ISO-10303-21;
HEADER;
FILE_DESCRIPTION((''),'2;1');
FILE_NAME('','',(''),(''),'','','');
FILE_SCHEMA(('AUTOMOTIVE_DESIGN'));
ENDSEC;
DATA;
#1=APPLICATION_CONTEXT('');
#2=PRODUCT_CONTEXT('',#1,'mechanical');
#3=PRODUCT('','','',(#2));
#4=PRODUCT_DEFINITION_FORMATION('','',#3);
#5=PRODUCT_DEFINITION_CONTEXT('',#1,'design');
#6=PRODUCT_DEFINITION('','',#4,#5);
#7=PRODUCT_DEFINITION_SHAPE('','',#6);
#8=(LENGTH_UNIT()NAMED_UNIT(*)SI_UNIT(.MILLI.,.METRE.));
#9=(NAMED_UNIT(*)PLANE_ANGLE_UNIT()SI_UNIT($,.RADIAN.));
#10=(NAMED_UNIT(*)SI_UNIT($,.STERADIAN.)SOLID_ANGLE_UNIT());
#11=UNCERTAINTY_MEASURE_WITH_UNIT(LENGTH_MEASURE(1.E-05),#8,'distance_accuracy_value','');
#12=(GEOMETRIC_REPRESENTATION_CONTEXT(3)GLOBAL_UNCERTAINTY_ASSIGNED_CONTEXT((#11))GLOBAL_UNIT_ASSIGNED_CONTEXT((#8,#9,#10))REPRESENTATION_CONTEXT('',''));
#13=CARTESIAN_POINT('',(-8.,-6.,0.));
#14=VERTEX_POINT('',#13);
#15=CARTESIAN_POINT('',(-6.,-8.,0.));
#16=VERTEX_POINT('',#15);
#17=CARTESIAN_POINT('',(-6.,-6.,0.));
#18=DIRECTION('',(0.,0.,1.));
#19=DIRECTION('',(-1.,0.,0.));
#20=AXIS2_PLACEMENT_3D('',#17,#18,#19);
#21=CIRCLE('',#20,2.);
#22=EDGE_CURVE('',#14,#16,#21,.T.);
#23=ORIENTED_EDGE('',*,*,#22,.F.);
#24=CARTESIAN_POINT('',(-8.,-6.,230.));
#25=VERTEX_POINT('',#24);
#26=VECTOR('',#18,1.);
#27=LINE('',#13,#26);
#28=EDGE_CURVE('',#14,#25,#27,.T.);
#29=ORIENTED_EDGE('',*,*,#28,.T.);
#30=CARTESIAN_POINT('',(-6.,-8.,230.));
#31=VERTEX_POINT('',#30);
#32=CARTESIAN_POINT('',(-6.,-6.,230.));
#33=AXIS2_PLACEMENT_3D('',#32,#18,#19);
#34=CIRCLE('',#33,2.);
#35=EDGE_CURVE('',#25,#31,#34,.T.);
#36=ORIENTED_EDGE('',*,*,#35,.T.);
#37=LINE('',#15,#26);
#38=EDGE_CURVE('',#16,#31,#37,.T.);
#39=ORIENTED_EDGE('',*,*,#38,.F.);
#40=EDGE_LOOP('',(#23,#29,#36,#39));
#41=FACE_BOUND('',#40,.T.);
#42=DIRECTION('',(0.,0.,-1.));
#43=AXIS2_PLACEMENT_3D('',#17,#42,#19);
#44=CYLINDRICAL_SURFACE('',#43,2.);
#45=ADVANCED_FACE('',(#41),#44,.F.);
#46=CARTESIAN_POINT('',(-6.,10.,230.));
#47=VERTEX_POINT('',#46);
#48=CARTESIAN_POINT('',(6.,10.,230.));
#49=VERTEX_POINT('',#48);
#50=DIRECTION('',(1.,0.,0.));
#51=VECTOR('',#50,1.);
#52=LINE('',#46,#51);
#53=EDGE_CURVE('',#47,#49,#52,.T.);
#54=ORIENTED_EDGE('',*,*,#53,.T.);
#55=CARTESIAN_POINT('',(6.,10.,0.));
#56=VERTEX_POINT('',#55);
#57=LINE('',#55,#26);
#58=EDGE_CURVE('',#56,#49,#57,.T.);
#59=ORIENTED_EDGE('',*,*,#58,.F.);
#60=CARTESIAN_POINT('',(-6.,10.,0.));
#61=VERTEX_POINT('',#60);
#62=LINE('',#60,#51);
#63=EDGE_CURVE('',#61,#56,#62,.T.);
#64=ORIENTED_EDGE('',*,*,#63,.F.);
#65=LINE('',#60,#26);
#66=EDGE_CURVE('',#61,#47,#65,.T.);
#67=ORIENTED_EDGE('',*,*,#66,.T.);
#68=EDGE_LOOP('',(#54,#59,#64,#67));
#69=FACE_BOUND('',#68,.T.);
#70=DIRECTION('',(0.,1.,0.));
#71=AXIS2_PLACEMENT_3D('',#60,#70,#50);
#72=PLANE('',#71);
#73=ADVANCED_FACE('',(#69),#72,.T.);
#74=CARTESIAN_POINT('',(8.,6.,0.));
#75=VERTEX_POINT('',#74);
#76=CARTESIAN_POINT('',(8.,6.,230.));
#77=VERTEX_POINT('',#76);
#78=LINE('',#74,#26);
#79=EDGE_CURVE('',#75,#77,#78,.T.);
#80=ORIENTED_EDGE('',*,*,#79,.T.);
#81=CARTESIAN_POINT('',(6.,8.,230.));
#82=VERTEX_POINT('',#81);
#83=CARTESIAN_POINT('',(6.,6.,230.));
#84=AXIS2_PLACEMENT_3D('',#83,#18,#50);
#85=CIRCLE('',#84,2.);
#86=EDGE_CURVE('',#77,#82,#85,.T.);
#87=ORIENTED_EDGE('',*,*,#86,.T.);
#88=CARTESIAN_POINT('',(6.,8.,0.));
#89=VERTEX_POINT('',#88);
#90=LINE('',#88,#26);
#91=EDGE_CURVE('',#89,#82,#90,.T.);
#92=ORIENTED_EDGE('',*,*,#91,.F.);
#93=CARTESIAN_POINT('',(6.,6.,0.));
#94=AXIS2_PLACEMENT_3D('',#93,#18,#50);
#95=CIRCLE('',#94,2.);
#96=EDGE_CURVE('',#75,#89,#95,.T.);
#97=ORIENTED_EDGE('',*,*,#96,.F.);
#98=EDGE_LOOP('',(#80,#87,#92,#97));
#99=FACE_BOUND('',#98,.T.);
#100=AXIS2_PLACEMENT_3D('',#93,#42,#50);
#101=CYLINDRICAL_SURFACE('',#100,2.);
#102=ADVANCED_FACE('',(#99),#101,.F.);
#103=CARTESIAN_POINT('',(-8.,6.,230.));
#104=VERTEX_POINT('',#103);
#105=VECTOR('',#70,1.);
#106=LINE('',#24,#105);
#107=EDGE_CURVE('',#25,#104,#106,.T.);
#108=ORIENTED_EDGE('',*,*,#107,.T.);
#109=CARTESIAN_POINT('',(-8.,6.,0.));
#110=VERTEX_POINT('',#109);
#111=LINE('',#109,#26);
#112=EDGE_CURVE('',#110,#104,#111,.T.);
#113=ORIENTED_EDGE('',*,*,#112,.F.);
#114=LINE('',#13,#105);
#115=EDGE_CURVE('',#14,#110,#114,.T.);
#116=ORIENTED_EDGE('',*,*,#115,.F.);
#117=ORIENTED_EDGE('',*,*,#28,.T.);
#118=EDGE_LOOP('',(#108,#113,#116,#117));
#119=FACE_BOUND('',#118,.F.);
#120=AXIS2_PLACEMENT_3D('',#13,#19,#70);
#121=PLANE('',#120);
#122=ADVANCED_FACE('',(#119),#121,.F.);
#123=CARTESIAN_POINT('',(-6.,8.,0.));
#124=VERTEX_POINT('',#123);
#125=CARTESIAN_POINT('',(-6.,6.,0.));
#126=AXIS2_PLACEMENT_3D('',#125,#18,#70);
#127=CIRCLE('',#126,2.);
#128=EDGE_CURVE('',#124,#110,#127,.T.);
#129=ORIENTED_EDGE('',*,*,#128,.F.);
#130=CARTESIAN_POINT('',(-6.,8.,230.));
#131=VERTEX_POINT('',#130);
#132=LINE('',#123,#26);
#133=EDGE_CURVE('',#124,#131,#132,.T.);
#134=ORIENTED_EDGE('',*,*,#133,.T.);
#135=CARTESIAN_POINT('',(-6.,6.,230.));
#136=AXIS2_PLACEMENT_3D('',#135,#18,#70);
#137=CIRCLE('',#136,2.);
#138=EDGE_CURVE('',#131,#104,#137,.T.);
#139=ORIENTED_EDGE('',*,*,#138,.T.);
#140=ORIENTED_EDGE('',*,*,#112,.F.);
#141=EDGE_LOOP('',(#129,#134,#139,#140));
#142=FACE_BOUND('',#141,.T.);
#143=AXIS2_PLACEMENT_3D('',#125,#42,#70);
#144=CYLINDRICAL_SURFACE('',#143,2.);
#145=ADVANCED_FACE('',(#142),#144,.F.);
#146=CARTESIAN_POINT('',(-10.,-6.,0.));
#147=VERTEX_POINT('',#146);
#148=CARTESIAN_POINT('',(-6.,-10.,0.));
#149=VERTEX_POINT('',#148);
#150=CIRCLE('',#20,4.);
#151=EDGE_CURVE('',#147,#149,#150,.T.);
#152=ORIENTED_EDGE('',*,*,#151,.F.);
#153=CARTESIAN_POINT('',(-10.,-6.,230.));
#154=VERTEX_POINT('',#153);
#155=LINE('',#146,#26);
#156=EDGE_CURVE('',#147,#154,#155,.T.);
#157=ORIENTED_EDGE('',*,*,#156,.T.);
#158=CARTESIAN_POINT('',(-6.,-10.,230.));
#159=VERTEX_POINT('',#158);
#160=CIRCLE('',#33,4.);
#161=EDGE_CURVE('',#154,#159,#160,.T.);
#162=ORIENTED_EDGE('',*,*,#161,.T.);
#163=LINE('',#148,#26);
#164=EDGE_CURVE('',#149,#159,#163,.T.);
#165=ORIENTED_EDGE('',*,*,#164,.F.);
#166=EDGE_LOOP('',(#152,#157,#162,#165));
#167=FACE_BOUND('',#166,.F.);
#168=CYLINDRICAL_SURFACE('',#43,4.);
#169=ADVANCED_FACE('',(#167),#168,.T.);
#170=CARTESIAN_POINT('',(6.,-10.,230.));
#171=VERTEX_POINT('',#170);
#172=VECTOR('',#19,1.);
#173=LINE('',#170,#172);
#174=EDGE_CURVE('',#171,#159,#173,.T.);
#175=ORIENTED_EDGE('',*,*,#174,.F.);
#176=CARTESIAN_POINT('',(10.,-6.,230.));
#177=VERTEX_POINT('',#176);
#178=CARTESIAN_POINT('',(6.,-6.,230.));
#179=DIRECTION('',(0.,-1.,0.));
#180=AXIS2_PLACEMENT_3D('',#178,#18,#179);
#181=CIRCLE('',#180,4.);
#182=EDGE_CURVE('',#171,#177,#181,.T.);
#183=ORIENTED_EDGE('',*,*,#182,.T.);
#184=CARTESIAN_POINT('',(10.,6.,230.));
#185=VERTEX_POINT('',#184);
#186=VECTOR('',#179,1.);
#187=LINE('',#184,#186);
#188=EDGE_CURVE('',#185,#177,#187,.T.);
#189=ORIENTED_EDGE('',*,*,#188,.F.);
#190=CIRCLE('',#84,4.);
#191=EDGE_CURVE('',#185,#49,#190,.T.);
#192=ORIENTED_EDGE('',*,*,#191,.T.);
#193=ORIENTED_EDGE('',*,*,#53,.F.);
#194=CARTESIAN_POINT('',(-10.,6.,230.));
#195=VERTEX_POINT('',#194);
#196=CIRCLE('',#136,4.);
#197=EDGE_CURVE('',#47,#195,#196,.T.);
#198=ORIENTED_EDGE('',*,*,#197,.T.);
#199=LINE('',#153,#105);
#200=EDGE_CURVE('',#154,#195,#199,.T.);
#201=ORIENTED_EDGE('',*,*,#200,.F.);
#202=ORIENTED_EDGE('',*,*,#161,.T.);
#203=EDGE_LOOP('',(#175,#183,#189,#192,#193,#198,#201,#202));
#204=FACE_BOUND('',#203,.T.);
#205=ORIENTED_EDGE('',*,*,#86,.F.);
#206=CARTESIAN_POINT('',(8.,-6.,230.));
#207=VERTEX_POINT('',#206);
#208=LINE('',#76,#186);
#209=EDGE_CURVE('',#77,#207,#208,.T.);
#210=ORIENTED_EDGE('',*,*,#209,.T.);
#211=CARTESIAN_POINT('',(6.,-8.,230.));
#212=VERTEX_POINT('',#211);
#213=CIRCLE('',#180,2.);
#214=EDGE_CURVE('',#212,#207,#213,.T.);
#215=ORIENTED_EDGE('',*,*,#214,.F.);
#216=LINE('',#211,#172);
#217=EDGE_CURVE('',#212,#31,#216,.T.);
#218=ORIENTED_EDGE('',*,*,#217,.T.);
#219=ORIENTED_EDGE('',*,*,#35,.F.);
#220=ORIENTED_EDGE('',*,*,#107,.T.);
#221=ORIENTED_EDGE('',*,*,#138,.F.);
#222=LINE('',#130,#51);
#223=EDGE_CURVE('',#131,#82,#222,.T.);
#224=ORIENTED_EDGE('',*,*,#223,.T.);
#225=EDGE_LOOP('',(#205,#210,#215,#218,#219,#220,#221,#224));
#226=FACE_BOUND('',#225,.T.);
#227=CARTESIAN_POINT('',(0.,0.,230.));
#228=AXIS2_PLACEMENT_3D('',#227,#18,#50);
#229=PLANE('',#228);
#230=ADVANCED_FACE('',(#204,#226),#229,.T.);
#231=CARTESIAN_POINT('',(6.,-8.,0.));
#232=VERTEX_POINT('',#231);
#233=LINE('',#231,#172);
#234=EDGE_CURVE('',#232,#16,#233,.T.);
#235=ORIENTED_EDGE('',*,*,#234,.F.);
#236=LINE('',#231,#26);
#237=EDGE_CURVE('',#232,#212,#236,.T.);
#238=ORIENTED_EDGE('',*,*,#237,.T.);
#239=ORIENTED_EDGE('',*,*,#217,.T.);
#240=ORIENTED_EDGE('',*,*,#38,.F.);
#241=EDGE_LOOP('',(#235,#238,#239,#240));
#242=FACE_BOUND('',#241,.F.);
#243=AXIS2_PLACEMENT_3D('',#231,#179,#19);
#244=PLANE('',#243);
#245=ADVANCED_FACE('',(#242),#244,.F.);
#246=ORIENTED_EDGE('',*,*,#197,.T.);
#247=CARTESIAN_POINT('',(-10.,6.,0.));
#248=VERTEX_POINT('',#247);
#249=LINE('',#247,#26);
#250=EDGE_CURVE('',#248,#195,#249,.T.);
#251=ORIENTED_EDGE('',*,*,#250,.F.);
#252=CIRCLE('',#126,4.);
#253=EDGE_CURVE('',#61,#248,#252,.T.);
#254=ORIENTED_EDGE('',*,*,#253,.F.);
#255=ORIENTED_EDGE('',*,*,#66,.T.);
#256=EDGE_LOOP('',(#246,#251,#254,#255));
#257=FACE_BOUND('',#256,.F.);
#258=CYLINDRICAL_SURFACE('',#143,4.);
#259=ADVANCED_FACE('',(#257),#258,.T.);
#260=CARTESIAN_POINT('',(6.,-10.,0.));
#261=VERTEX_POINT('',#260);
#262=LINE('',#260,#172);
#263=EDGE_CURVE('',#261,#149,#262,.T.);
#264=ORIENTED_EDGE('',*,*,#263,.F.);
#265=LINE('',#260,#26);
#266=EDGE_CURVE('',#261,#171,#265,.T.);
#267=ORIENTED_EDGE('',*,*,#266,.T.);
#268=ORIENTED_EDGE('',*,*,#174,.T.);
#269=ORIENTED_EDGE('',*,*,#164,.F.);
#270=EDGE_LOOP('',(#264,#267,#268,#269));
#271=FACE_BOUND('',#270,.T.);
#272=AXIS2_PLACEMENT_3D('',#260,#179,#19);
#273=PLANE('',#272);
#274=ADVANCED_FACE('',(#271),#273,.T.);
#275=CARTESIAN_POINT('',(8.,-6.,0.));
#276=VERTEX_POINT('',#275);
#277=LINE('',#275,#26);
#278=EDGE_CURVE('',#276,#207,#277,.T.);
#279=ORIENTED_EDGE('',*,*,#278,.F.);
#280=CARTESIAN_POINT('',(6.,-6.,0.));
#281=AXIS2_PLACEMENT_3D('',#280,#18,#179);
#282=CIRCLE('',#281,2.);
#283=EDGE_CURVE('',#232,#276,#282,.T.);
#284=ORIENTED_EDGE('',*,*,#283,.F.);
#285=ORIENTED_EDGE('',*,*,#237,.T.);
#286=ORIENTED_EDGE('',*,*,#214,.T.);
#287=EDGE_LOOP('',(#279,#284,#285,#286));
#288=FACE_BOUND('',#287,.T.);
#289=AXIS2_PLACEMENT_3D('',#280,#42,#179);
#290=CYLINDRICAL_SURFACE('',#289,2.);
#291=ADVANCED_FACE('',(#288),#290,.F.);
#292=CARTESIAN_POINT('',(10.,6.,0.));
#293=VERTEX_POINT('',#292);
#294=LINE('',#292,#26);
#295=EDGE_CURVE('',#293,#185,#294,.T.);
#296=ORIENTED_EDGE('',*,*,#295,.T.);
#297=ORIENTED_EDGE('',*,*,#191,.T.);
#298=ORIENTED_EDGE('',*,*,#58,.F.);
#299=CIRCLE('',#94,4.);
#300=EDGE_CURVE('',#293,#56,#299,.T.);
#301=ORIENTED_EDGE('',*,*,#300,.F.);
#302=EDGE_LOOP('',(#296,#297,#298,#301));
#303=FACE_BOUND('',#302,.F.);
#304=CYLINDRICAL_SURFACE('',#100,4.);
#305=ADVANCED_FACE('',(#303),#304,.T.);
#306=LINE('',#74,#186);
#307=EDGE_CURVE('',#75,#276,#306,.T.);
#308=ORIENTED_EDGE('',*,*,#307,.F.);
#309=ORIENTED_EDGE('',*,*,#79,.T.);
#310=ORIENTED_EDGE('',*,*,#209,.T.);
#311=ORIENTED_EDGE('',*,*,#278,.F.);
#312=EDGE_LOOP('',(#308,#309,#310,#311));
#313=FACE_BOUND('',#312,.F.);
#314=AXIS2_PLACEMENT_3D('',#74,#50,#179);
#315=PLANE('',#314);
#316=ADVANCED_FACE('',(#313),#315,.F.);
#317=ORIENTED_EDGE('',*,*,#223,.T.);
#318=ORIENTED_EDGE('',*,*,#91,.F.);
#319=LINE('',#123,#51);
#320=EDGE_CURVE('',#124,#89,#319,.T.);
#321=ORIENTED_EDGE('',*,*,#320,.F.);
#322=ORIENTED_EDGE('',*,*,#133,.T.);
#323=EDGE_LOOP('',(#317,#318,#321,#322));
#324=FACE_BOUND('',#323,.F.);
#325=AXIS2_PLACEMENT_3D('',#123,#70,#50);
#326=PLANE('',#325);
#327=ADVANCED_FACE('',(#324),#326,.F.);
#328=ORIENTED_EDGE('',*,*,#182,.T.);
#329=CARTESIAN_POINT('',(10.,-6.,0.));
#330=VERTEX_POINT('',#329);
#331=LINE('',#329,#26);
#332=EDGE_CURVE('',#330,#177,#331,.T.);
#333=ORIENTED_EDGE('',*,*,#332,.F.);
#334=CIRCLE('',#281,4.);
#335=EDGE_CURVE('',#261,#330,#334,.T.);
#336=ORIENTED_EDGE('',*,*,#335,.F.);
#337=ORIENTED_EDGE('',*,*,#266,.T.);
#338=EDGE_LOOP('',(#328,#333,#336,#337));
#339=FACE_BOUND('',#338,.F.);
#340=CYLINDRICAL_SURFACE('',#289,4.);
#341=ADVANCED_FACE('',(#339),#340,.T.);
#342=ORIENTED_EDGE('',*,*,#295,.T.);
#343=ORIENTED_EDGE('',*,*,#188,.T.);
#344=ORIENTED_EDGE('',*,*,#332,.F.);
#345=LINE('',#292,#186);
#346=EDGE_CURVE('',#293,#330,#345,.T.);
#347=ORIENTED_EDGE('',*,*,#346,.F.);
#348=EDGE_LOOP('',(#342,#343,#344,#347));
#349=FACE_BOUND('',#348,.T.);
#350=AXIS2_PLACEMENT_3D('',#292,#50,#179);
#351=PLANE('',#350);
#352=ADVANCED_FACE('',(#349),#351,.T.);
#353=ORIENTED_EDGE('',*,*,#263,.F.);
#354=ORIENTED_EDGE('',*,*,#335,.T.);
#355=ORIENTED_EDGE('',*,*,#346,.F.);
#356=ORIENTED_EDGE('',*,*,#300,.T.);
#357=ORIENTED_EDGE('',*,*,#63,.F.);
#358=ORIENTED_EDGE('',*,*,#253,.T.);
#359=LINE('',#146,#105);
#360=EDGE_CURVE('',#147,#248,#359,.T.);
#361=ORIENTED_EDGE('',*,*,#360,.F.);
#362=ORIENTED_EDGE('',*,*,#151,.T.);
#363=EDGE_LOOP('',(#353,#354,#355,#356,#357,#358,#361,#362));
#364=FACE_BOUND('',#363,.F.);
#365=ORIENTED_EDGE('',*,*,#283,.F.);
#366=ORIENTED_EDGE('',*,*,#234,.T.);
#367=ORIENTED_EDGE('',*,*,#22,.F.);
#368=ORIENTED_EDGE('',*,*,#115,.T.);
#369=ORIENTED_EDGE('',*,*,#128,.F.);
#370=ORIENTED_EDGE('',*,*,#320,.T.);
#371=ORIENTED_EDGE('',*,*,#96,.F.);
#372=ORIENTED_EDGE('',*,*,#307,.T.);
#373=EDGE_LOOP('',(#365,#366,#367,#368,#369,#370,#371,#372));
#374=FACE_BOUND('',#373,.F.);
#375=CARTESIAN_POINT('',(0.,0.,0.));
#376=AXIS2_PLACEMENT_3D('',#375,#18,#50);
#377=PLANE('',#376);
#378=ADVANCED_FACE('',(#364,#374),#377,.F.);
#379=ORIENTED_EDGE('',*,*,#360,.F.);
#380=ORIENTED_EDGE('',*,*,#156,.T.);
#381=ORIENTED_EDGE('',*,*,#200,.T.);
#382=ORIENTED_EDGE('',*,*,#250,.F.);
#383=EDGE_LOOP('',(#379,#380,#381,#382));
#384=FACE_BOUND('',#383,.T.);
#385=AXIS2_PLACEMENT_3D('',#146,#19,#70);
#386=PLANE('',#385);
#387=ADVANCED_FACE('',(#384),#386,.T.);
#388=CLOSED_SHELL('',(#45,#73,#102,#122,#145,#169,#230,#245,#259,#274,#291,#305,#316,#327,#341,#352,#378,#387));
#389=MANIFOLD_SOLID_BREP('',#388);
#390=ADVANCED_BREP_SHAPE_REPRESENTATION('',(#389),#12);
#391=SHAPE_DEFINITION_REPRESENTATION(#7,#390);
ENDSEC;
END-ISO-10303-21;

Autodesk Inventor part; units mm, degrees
ref_plane "YZ Plane" through (0, 0, 0) normal (1, 0, 0) x (0, 1, 0)
ref_plane "Plan de départ" through (0, 0, 0) normal (0, 0, 1) x (1, 0, 0)
ref_plane "Plan de fin" through (0, 0, 230) normal (0, 0, 1) x (1, 0, 0)
sketch "Esquisse" plane through (0, 0, 0) normal (0, 0, 1) x (1, 0, 0)
  line L0 (-10, -6) -> (-10, 6)
  line L1 (-6, 10) -> (6, 10)
  line L2 (10, 6) -> (10, -6)
  line L3 (6, -10) -> (-6, -10)
  arc A0 (-10, -6) -> (-6, -10) centre (-6, -6) ccw
  arc A1 (10, 6) -> (6, 10) centre (6, 6) ccw
  arc A2 (-6, 10) -> (-10, 6) centre (-6, 6) ccw
  arc A3 (6, -10) -> (10, -6) centre (6, -6) ccw
  arc A4 (-6, 8) -> (-8, 6) centre (-6, 6) ccw
  line L4 (-6, 8) -> (6, 8)
  arc A5 (8, 6) -> (6, 8) centre (6, 6) ccw
  line L5 (8, 6) -> (8, -6)
  arc A6 (6, -8) -> (8, -6) centre (6, -6) ccw
  line L6 (6, -8) -> (-6, -8)
  arc A7 (-8, -6) -> (-6, -8) centre (-6, -6) ccw
  line L7 (-8, -6) -> (-8, 6)
  line L8 (0, 15.1598) -> (0, -15.1598) construction
  line L9 (-15.1598, 0) -> (15.1598, 0) construction
  dimension "d7" = 4
  dimension "d9" = 20
  dimension "d11" = 20
  dimension "d12" = 2
  dimension "d15" = 10
  dimension "d16" = 10
extrude "Corps" add sketch "Esquisse" along normal up to surface (230 mm away) from surface at 0
sketch "Sketch3" plane through (0, 0, 0) normal (0, 0, 1) x (1, 0, 0)
  line L0 (0, 0) -> (10, 0)
ref_plane "Work Plane3" through (0, 0, 0) normal (0, -1, 0) x (1, 0, 0)
sketch "Sketch4" plane through (0, 0, 0) normal (0, -1, 0) x (1, 0, 0)
  line L0 (-2, 0) -> (12, 0) projected
  line L1 (-2, 230) -> (12, 230) projected
  dimension "d18" = 230
equation "\"d7\" = G_IR"
equation "\"d9\" = G_W"
equation "\"d11\" = G_H"
equation "\"d12\" = G_T"
equation "\"d15\" = 0.5 * d9"
equation "\"d16\" = 0.5 * d11"
equation "\"d3\" = G_L"
equation "\"G_W\" = 20"
equation "\"G_H\" = 20"
equation "\"G_T\" = 2"
equation "\"G_IR\" = 4"
equation "\"G_L\" = d18"
equation "\"G_OFFSET_START\" = 0"
equation "\"G_OFFSET_END\" = 0"
properties part number "ISO 10799-2 - 20x20x2 - 230" material "Acier, doux"
